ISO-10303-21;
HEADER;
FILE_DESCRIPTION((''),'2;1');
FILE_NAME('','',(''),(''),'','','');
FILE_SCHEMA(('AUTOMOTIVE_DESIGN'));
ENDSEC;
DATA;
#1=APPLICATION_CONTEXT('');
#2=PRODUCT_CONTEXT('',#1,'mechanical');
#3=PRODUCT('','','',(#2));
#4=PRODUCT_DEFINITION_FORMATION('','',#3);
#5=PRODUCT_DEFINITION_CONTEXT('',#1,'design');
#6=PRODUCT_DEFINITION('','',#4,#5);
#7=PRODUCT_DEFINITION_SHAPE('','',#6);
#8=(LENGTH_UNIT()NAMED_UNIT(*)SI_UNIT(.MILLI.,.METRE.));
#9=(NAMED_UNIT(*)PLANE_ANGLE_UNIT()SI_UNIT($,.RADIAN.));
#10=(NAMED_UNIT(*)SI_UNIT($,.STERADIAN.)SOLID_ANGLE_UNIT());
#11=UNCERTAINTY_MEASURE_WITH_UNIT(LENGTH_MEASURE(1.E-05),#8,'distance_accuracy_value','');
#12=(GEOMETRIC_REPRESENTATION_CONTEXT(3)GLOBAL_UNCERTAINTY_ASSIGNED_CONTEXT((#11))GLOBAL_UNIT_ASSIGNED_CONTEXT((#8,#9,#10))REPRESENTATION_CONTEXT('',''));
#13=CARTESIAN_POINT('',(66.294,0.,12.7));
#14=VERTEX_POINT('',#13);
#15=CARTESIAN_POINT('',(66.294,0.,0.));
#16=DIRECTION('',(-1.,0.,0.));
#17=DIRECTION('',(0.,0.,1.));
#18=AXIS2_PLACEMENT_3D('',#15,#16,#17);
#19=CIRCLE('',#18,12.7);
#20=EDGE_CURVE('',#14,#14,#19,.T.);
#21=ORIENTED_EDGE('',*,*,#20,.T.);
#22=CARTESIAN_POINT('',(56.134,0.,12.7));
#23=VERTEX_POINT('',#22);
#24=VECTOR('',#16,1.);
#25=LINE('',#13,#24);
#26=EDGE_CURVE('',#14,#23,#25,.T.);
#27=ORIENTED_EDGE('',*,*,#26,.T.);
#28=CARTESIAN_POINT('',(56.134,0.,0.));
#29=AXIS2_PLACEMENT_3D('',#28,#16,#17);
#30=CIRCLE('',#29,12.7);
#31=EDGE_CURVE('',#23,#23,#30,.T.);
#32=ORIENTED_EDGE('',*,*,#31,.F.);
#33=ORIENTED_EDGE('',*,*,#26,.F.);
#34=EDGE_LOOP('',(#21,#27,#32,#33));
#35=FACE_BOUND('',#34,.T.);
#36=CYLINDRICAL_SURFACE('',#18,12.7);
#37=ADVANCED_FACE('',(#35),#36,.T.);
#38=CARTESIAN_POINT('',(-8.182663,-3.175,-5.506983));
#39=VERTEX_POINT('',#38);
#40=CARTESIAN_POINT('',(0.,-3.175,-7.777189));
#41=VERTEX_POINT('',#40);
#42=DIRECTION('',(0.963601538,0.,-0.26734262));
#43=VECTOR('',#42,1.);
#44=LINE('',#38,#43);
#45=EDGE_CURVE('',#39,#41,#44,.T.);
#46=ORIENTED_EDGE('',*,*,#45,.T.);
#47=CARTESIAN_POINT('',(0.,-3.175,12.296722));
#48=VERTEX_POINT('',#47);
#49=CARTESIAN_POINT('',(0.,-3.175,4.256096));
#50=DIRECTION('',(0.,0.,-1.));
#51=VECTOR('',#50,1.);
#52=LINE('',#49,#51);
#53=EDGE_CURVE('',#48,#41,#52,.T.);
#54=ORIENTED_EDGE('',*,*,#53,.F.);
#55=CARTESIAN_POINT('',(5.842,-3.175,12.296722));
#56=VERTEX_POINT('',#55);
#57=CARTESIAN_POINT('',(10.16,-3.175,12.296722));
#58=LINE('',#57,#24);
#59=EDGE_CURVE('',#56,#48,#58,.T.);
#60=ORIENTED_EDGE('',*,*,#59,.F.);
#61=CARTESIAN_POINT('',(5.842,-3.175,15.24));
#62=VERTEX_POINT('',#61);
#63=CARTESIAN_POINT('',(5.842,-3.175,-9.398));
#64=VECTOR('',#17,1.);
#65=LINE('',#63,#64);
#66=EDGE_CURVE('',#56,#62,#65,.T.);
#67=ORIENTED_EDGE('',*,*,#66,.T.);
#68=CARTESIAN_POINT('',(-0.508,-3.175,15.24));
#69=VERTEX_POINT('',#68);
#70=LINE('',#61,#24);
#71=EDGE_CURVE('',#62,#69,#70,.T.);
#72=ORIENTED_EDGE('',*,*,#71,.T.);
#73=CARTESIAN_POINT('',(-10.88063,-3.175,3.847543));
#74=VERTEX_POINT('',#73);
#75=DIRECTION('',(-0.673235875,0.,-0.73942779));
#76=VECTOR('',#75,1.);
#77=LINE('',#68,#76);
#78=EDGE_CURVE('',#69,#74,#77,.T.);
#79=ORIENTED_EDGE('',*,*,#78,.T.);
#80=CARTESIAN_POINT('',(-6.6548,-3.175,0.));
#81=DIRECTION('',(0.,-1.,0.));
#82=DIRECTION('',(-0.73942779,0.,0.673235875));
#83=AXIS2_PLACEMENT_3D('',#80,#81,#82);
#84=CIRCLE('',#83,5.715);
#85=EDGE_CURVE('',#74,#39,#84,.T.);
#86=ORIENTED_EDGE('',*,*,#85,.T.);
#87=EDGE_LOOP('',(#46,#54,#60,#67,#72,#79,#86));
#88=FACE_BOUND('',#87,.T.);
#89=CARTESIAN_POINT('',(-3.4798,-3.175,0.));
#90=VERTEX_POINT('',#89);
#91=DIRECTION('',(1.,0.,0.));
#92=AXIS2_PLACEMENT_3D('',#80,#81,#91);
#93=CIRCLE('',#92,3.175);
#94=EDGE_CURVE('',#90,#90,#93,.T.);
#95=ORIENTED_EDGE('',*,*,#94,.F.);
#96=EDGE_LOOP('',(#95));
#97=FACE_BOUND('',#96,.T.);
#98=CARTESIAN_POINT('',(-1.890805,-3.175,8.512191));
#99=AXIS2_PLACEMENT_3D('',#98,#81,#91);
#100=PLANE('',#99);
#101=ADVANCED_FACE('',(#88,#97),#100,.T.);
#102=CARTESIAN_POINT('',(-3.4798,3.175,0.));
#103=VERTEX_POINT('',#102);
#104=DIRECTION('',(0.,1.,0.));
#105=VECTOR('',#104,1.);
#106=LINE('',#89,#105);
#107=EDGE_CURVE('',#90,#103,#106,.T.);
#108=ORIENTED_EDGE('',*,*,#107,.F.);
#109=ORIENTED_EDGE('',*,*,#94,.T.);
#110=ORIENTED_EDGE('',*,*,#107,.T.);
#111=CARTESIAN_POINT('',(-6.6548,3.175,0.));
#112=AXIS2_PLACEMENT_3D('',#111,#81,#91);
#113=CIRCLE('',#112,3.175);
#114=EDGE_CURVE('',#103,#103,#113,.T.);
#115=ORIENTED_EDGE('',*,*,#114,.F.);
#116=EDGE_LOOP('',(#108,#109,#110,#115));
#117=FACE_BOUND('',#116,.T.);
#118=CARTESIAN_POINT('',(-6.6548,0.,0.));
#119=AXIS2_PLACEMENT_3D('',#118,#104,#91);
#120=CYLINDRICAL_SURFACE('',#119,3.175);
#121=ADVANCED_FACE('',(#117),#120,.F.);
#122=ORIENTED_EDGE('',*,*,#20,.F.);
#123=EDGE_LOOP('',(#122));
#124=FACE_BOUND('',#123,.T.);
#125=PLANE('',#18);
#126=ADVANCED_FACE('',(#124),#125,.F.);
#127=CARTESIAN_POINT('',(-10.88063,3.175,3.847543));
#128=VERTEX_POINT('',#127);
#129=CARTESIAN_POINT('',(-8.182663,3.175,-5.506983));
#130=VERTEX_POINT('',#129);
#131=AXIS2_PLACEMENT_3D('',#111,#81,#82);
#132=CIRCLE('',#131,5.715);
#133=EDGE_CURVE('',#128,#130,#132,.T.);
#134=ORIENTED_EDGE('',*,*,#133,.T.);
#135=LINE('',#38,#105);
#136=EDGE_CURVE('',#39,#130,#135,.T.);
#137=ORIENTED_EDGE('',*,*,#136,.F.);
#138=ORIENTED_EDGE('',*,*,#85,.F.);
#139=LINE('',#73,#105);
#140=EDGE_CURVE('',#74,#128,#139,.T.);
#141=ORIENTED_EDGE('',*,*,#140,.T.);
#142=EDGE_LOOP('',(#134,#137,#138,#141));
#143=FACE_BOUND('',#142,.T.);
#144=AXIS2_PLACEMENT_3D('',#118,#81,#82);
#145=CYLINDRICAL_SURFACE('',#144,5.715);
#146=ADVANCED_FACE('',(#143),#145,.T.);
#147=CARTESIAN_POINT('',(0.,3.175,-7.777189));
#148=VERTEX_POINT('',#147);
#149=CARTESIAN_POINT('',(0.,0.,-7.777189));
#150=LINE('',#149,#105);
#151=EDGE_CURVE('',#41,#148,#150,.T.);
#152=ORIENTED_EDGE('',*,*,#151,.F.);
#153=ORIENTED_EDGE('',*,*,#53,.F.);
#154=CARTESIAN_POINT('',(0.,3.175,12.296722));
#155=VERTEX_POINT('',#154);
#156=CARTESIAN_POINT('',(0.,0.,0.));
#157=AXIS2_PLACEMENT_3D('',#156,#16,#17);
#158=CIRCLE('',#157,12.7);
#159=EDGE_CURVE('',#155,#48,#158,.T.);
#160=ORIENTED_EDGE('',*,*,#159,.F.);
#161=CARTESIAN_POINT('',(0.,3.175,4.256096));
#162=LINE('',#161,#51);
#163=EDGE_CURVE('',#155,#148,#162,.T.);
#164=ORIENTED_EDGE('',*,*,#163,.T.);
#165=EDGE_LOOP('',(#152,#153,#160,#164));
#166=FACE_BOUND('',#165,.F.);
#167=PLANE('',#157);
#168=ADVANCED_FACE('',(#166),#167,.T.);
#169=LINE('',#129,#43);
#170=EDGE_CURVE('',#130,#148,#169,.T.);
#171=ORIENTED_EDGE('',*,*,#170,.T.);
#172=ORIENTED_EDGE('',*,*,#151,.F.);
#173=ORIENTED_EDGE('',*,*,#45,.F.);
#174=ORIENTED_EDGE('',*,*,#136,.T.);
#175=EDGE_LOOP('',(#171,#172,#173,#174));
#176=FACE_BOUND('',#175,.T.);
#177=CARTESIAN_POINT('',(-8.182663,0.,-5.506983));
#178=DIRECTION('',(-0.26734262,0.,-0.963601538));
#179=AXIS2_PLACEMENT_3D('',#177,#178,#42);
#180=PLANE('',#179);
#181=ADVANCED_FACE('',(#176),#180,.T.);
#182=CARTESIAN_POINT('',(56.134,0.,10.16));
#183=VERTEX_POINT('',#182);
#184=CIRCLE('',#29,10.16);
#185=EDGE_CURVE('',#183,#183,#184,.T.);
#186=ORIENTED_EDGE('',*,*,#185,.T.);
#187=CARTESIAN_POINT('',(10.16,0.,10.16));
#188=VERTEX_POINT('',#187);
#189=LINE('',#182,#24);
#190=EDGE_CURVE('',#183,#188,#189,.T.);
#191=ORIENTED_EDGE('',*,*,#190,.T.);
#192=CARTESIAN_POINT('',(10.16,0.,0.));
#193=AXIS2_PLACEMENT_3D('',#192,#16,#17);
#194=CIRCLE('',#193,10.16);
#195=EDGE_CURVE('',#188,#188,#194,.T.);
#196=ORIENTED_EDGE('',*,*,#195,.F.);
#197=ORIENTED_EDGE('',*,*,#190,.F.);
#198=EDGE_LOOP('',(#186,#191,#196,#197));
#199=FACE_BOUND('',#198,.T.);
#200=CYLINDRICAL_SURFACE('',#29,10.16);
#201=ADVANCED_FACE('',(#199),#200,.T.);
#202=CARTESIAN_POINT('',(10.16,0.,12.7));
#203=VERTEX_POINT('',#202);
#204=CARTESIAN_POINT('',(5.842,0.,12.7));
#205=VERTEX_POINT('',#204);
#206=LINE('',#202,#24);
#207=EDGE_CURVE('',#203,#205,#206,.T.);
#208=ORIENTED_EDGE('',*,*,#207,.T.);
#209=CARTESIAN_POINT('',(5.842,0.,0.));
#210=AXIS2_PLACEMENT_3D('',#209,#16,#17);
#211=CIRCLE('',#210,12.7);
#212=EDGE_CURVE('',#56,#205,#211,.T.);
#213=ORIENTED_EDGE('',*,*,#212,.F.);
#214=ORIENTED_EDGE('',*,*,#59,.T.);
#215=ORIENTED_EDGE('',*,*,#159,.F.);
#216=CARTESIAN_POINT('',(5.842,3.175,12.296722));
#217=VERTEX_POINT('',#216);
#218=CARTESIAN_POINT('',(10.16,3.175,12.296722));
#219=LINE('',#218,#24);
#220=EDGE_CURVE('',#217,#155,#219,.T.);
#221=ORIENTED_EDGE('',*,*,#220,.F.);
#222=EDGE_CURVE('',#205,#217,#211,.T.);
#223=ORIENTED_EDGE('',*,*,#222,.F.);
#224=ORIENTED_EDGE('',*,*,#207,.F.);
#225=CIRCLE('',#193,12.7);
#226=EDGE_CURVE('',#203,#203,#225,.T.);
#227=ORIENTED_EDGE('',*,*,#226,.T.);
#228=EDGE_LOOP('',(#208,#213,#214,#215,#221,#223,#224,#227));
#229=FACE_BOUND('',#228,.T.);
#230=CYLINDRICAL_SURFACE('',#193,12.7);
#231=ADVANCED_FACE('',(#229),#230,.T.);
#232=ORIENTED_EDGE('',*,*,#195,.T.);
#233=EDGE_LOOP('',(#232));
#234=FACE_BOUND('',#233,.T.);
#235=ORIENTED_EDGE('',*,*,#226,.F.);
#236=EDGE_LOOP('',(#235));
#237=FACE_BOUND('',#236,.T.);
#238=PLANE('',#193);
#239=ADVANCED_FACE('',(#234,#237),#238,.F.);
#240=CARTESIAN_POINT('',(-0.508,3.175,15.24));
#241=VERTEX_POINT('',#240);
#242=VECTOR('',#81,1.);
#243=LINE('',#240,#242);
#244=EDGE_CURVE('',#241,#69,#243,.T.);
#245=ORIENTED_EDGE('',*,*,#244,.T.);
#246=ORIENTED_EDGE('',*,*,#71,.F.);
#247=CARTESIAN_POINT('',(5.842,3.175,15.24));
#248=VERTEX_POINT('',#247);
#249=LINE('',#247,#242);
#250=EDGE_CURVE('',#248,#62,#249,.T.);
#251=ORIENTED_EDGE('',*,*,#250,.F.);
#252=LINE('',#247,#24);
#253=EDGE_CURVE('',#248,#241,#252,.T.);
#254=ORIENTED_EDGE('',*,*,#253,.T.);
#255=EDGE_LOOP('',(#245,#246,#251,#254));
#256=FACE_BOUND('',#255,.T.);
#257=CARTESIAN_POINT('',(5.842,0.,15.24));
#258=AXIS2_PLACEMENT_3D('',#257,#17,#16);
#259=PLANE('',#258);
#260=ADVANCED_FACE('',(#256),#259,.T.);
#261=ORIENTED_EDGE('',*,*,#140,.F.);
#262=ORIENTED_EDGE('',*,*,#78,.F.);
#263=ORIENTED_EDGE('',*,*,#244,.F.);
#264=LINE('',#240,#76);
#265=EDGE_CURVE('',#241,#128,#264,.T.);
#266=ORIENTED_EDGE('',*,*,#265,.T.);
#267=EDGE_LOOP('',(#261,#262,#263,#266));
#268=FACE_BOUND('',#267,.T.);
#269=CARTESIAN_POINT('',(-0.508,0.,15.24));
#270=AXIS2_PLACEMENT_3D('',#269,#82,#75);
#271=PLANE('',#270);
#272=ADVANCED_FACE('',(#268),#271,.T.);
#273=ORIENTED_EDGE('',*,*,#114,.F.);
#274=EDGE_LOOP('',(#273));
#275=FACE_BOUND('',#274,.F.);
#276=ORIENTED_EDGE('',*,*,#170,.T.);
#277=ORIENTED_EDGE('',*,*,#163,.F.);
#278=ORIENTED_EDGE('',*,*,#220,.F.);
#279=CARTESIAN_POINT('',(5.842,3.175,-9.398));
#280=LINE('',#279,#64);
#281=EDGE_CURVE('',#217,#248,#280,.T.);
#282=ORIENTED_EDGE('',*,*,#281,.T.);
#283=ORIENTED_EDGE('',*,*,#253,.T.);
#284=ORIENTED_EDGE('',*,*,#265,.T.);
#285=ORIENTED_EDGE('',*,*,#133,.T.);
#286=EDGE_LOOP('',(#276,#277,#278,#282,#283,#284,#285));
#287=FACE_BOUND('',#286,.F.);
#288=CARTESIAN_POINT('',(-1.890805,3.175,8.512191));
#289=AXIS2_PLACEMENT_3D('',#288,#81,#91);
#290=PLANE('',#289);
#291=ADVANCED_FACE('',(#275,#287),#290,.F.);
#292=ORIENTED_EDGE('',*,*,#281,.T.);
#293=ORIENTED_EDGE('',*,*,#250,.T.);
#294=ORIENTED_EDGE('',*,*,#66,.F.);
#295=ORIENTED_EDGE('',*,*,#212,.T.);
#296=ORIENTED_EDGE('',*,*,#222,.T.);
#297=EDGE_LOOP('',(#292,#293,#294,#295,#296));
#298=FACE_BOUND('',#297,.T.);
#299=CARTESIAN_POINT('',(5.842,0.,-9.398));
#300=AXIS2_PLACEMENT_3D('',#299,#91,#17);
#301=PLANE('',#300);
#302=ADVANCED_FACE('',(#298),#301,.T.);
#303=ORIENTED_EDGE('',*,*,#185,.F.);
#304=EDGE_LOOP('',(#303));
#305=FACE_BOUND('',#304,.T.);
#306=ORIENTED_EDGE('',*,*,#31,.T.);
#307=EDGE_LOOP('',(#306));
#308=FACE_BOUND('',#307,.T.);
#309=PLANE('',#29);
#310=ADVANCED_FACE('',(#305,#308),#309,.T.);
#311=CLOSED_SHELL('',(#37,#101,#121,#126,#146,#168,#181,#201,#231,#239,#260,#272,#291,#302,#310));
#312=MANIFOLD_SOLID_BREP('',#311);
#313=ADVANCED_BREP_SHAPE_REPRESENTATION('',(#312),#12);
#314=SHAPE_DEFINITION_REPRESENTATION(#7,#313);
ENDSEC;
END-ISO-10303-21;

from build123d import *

# Parameters (mm, degrees)
F0_W     = 5.842
F0_H     = 12.7
F0_R     = 3.175
F2_DEPTH = 3.175


with BuildPart() as f1:
    # F0 (on Front) → F1 (revolve)
    with BuildSketch(Plane.XZ):
        Polygon((5.842, 12.7), (5.842, 0), (66.294, 0), (66.294, 12.7), (56.134, 12.7), (56.134, 10.16), (10.16, 10.16), (10.16, 12.7), align=None)
        with Locations((2.921, 6.35)):
            Rectangle(F0_W, F0_H)
    revolve(axis=Axis((33.147, 0, 0), (-1, 0, 0)))

    # F0 (on Front) → F2 (join, symmetric)
    with BuildSketch(Plane.XZ):
        with BuildLine():
            Line((-0.9398, 0), (0, 0))
            Line((0, 0), (0, 12.7))
            Line((0, 12.7), (5.842, 12.7))
            Line((5.842, 12.7), (5.842, 15.24))
            Line((5.842, 15.24), (-0.508, 15.24))
            Line((-0.508, 15.24), (-10.8806298187, 3.8475430269))
            ThreePointArc((-10.8806298187, 3.8475430269), (-4.5919612295, 5.3297205562), (-0.9398, 0))
        make_face()
        with BuildLine():
            Line((5.842, 0), (0, 0))
            Line((0, 0), (-0.9398, 0))
            ThreePointArc((-0.9398, 0), (-3.1957909266, -4.5493385486), (-8.1826630726, -5.5069827884))
            Line((-8.1826630726, -5.5069827884), (5.842, -9.398))
            Line((5.842, -9.398), (5.842, 0))
        make_face()
        with BuildLine():
            ThreePointArc((-8.1826630726, -5.5069827884), (-3.1957909266, -4.5493385486), (-0.9398, 0))
            ThreePointArc((-0.9398, 0), (-4.5919612295, 5.3297205562), (-10.8806298187, 3.8475430269))
            ThreePointArc((-10.8806298187, 3.8475430269), (-12.1459778134, -1.5837270034), (-8.1826630726, -5.5069827884))
        make_face()
        with Locations((-6.6548, 0)):
            Circle(F0_R, mode=Mode.SUBTRACT)
        with Locations((2.921, 6.35)):
            Rectangle(F0_W, F0_H)
    extrude(amount=F2_DEPTH, both=True)


solid = f1.part
